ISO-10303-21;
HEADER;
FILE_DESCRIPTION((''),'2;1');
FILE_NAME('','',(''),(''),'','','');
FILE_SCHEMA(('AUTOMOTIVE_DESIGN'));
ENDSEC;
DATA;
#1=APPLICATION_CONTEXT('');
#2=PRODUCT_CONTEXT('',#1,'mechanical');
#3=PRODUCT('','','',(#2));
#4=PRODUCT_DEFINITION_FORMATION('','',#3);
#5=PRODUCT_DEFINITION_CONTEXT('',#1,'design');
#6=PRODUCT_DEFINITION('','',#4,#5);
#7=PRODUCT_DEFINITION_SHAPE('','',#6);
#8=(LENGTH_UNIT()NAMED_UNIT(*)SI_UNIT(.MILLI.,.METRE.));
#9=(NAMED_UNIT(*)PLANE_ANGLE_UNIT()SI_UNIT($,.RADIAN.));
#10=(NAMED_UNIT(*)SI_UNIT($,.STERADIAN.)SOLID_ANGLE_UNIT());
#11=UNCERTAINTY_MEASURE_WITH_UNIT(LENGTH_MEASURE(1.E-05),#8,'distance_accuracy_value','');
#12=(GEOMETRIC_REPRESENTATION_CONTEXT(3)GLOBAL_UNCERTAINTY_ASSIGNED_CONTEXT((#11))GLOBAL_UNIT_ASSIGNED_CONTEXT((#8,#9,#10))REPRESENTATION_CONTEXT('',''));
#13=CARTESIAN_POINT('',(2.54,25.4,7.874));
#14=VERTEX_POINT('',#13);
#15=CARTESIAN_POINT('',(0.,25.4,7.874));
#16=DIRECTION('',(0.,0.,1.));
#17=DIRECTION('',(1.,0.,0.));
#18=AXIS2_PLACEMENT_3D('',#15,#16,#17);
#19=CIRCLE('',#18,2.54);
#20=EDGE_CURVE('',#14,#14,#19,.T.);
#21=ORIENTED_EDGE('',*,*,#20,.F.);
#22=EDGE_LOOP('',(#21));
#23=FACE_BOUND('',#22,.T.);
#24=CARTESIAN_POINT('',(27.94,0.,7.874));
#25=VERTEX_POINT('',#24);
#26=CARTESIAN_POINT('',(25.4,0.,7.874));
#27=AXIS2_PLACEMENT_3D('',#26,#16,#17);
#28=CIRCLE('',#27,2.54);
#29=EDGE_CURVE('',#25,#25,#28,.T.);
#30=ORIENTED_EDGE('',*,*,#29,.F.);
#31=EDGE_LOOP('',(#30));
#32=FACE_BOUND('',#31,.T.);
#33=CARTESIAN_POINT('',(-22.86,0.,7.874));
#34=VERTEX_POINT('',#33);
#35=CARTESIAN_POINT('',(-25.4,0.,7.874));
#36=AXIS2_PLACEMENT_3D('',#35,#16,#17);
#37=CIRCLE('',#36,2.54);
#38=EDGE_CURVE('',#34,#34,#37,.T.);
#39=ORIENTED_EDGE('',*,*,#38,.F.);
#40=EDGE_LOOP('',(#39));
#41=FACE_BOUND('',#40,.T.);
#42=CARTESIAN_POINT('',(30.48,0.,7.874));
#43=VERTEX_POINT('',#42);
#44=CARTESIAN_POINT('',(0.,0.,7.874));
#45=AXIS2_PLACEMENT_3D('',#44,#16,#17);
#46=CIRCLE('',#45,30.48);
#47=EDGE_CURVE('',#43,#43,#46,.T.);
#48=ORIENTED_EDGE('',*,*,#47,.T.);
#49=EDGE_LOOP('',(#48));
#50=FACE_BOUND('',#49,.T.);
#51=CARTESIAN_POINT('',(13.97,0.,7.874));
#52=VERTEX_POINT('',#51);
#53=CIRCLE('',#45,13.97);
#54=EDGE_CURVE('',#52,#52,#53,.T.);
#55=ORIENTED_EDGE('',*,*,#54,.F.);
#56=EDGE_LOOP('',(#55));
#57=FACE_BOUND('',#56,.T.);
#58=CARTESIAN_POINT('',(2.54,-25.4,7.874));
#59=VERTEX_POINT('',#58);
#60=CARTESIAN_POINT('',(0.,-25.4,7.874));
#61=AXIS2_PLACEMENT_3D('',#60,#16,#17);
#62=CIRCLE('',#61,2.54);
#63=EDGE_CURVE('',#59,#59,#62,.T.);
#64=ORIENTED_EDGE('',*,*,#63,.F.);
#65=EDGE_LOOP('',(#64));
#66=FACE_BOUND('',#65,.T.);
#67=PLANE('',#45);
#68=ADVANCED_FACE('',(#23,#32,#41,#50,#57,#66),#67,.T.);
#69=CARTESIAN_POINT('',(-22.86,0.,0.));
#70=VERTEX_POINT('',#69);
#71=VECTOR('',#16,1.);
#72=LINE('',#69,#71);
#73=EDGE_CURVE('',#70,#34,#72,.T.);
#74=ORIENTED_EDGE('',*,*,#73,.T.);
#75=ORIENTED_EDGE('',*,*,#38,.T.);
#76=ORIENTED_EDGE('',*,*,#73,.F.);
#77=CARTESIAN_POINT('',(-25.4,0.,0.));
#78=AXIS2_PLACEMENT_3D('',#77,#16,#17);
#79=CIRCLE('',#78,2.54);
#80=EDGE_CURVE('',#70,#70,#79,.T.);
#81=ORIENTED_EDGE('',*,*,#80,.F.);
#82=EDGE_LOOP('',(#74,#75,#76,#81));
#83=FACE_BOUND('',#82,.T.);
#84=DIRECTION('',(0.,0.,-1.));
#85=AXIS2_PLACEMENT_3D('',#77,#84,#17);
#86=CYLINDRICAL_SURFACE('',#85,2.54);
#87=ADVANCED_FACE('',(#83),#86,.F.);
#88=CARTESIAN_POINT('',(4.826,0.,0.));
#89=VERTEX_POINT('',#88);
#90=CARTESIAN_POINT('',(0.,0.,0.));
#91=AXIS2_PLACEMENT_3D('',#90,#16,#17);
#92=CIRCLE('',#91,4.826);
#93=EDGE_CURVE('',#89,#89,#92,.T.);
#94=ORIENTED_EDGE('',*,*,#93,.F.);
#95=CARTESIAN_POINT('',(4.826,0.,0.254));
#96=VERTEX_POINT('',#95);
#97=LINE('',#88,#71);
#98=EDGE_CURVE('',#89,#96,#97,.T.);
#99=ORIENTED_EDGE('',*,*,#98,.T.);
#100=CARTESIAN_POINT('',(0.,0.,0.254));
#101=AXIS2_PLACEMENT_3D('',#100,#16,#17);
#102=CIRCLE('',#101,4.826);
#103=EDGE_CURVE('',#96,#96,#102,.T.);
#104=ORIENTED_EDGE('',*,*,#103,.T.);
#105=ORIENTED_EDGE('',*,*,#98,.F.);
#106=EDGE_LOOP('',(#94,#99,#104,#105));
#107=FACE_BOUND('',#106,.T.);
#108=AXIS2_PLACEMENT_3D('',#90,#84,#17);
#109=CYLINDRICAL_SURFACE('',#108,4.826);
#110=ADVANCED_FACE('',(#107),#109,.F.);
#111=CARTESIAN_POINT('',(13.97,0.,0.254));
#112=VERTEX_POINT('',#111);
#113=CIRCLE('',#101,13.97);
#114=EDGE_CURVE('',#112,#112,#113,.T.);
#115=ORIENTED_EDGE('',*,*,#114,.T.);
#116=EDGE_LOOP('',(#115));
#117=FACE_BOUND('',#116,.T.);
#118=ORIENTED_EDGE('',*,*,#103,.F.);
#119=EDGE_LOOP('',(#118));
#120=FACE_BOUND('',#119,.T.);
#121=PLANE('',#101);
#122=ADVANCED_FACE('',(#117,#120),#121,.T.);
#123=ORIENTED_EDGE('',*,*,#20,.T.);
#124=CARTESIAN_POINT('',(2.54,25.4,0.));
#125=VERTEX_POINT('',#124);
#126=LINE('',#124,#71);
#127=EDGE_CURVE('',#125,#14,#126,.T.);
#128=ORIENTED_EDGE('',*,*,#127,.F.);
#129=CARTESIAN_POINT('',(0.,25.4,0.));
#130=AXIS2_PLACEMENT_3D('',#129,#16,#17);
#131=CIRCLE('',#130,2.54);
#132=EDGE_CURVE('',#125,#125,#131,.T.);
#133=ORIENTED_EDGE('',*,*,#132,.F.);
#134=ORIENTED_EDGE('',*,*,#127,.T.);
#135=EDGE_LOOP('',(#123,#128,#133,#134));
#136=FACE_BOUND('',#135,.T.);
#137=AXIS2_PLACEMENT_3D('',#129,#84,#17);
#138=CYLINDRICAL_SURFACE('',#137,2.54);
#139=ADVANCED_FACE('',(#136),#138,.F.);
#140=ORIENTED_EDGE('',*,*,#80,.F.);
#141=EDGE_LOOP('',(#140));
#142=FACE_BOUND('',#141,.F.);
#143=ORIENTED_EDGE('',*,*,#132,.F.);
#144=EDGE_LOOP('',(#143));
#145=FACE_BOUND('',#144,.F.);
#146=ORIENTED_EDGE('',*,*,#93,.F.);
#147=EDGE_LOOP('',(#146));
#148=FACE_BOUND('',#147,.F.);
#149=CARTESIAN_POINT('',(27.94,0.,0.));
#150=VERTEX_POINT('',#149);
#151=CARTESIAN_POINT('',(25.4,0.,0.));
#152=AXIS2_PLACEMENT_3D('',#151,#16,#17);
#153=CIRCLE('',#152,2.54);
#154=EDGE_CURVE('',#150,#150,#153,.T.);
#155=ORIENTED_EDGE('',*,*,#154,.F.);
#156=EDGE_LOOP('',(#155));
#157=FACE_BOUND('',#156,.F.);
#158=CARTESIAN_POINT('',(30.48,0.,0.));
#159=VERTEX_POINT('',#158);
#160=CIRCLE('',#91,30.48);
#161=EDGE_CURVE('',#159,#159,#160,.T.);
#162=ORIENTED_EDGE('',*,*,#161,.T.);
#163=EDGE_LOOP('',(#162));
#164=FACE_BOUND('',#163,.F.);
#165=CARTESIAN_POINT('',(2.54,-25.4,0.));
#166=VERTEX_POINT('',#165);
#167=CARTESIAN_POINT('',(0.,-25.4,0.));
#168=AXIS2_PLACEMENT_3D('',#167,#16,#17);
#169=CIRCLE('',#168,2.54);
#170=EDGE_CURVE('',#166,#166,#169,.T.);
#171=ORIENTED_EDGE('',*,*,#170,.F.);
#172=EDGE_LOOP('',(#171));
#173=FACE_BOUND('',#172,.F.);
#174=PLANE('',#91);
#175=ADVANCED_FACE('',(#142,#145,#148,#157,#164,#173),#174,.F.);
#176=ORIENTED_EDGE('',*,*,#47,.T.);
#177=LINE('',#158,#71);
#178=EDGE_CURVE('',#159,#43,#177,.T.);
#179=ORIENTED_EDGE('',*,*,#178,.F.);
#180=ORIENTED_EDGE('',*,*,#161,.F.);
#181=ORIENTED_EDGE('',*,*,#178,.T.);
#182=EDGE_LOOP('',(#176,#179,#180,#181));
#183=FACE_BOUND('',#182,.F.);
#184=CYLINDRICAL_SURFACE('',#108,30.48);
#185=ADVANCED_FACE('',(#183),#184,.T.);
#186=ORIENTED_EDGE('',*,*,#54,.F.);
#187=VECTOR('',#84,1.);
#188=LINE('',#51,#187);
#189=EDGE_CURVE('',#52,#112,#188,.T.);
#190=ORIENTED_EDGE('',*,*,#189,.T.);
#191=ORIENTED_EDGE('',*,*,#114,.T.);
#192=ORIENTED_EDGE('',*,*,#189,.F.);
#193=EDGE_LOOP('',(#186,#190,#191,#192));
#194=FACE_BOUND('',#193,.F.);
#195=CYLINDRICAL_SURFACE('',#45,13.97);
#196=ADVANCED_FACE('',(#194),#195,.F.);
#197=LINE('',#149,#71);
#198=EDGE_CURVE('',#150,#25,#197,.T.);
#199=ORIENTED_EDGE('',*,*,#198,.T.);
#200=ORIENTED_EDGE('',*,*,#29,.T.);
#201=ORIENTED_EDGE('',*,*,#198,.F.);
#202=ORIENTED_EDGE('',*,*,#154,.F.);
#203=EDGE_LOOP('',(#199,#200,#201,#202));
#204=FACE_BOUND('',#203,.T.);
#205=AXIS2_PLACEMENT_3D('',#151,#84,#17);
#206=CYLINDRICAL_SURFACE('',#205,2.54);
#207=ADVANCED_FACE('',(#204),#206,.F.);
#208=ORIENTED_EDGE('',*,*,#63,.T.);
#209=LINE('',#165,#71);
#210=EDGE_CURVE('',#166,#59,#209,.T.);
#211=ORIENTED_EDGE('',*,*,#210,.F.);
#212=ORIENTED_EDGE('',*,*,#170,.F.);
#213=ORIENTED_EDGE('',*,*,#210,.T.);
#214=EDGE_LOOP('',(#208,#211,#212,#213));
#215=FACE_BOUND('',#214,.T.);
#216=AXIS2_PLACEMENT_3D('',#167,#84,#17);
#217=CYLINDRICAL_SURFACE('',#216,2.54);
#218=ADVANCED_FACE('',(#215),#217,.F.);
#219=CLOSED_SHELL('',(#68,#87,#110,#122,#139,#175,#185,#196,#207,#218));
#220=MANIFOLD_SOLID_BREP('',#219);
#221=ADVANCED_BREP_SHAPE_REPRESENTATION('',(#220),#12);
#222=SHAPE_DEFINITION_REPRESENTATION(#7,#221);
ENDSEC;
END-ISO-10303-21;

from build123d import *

# Parameters (mm, degrees)
F0_R     = 30.48
F0_R_2   = 2.54
F0_R_3   = 4.826
F1_DEPTH = 7.874
F2_R     = 13.97
F2_R_2   = 4.826
F3_DEPTH = 7.62


with BuildPart() as f1:
    # F0 (on Top) → F1 (new body)
    with BuildSketch(Plane.XY):
        Circle(F0_R)
        with Locations((0, -25.4)):
            Circle(F0_R_2, mode=Mode.SUBTRACT)
        with Locations((-25.4, 0)):
            Circle(F0_R_2, mode=Mode.SUBTRACT)
        Circle(F0_R_3, mode=Mode.SUBTRACT)
        with Locations((25.4, 0)):
            Circle(F0_R_2, mode=Mode.SUBTRACT)
        with Locations((0, 25.4)):
            Circle(F0_R_2, mode=Mode.SUBTRACT)
    extrude(amount=F1_DEPTH)

    # F2 (on face) → F3 (cut)
    with BuildSketch(Plane.XY.offset(7.874)):
        Circle(F2_R)
        Circle(F2_R_2, mode=Mode.SUBTRACT)
    extrude(amount=-F3_DEPTH, mode=Mode.SUBTRACT)


solid = f1.part
